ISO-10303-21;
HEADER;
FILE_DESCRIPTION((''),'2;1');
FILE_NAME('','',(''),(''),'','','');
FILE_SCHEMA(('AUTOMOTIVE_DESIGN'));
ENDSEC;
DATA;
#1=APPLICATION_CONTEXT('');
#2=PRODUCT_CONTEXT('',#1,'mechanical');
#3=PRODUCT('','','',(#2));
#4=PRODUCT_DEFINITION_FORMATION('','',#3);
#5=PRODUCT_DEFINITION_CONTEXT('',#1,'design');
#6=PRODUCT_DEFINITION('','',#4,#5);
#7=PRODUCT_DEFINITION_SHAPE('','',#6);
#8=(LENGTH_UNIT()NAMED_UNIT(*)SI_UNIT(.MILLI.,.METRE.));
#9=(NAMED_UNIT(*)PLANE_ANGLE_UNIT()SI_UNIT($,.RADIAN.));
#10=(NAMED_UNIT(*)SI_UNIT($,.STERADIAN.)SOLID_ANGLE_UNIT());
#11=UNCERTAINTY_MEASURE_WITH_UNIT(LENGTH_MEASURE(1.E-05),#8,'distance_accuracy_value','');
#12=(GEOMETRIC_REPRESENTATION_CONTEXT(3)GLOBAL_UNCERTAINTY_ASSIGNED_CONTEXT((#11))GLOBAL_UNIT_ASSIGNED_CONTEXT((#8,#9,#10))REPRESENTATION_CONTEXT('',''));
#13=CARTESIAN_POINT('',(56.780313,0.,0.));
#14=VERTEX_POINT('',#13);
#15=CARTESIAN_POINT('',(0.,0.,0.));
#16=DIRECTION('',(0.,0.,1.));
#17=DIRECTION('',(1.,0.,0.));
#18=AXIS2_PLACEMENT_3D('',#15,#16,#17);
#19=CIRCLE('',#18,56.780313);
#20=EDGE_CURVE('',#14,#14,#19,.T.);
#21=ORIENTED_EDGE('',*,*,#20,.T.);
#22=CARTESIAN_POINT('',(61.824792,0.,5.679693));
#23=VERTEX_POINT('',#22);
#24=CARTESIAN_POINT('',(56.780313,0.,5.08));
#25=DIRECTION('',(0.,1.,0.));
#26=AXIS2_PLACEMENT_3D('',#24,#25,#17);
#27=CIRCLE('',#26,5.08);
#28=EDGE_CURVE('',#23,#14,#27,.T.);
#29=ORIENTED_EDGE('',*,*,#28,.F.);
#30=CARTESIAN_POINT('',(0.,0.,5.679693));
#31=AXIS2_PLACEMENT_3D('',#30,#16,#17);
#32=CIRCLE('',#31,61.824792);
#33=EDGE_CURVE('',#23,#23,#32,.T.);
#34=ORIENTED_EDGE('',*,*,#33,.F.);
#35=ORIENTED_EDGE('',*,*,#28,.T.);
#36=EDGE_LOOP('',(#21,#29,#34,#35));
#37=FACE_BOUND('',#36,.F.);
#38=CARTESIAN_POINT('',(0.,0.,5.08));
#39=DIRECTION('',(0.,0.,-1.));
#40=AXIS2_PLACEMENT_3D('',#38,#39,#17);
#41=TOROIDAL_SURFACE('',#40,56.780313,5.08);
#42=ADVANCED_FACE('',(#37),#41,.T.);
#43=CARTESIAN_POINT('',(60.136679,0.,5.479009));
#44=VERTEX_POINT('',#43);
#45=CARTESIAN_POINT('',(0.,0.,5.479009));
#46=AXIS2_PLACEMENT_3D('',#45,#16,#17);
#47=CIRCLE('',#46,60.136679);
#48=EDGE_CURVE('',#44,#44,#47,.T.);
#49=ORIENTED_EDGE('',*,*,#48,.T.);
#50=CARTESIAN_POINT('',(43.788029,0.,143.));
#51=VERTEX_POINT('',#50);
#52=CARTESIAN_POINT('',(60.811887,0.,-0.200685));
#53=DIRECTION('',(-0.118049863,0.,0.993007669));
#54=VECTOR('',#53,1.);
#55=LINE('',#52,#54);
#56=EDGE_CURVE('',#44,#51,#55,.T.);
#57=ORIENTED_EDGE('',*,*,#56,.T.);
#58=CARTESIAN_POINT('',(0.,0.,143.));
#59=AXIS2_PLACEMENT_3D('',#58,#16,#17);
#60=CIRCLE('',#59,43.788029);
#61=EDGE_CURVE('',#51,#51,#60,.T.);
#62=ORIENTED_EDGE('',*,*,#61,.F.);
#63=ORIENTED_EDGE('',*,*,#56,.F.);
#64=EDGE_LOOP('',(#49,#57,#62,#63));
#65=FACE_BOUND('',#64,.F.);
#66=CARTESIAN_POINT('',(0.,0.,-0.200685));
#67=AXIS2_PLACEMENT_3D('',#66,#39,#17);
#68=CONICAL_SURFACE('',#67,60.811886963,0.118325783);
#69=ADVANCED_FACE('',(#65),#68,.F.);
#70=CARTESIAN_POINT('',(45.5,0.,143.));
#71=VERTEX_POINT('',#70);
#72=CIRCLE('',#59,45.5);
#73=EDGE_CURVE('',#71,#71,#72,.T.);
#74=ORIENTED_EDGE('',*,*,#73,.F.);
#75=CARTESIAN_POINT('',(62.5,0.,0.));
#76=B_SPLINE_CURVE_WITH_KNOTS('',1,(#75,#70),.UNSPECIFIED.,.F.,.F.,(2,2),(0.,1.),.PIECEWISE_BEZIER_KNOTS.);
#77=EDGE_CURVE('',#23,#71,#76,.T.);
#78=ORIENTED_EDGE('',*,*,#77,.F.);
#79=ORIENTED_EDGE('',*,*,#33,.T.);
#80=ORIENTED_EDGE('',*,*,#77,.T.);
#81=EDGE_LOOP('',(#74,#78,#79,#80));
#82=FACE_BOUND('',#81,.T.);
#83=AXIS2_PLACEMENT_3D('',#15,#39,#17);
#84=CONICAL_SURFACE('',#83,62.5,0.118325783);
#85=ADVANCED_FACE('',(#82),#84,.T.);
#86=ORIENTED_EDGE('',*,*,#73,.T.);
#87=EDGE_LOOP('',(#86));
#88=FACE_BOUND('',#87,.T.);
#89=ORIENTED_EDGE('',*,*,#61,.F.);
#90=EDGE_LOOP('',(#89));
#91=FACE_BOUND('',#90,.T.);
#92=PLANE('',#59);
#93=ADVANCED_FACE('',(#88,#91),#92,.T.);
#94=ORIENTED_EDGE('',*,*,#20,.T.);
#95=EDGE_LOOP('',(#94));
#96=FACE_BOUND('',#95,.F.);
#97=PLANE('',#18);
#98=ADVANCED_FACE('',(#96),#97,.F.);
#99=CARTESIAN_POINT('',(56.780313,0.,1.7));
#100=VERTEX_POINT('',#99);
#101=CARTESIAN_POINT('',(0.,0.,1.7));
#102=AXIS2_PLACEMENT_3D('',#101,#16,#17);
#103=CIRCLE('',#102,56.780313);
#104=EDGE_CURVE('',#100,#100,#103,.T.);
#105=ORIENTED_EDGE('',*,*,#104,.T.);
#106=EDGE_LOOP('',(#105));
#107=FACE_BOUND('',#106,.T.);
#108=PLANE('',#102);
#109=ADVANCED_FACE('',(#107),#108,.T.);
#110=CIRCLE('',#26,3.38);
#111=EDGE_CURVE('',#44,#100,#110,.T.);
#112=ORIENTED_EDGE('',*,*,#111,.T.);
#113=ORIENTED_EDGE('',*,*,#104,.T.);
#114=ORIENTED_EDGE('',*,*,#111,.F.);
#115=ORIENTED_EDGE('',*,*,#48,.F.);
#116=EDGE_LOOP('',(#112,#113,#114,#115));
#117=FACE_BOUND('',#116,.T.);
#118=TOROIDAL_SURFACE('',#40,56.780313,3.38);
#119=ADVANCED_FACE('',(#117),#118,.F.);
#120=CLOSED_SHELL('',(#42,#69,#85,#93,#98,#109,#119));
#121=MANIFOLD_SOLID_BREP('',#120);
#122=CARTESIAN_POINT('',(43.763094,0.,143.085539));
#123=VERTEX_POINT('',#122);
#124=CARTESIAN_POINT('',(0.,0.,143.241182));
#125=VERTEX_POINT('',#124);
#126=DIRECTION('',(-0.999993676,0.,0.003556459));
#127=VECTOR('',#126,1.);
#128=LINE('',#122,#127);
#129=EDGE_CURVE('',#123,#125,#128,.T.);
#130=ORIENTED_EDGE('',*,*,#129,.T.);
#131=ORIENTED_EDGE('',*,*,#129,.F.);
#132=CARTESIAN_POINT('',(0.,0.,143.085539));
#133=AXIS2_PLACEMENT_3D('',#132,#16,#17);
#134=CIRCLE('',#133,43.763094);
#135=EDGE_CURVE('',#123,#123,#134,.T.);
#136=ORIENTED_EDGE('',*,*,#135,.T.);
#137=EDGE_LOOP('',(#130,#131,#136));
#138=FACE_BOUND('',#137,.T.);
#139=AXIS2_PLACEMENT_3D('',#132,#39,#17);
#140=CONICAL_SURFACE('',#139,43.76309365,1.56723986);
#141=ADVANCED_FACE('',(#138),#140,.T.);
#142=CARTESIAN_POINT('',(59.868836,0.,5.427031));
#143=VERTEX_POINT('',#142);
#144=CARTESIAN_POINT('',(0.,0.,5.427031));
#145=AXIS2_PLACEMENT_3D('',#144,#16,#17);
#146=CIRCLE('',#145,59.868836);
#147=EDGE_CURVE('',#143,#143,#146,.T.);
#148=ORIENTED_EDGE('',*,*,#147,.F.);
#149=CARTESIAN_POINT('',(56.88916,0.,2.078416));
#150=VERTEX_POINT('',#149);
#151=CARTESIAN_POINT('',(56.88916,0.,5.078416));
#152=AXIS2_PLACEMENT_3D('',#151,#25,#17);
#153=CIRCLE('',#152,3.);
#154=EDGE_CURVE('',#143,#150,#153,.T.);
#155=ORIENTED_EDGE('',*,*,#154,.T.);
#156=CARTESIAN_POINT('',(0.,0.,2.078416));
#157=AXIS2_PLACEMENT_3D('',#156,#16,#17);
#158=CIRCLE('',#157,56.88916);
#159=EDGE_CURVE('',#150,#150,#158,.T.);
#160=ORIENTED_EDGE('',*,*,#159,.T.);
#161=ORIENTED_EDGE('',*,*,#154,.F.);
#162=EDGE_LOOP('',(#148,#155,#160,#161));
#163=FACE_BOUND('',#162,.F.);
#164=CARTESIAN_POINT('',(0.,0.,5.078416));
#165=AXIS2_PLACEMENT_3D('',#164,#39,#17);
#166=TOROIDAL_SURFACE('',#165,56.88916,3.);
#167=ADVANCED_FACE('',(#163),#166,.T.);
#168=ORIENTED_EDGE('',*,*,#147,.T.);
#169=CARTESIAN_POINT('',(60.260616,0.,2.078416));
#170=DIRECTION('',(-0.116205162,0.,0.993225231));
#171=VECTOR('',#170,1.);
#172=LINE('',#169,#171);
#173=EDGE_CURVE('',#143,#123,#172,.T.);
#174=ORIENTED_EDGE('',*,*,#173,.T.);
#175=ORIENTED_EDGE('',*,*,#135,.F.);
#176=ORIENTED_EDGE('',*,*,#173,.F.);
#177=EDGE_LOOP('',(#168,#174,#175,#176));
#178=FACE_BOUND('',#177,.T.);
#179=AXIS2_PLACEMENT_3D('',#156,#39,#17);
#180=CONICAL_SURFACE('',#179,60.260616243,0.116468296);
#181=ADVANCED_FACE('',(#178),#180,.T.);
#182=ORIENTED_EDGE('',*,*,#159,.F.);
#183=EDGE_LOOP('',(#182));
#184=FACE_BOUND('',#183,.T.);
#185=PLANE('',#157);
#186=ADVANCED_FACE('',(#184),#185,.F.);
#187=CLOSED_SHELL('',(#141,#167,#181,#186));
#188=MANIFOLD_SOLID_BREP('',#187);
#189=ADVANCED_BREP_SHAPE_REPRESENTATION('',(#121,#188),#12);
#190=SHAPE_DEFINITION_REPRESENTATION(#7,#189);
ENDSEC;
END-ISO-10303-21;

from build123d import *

# Parameters (mm, degrees)
F0_R = 62.5
F2_R = 45.5
F4_R = 5.08
F5_T = -1.7
F8_R = 3


with BuildPart() as f3:
    # F0 (on Top) → F3 section 0
    with BuildSketch(Plane.XY):
        Circle(F0_R)
    # F2 (on offset) → F3 section 1
    with BuildSketch(Plane.XY.offset(143)):
        Circle(F2_R)
    loft()

    # F4
    f4_edges = [f3.edges().sort_by_distance(p)[0] for p in [
        (-62.5, 0, 0),
    ]]
    fillet(f4_edges, radius=F4_R)

    # F5
    f5_openings = [f3.faces().sort_by_distance(p)[0] for p in [
        (0, 0, 143),
    ]]
    offset(amount=F5_T, openings=f5_openings, kind=Kind.INTERSECTION)


with BuildPart() as f7:
    # F6 (on Front) → F7 (revolve)
    with BuildSketch(Plane.XZ):
        Polygon((60.2606162429, 2.0784155931), (43.7630936503, 143.085539341), (0, 143.2411819696), (0, 2.0784155931), align=None)
    revolve(axis=Axis((0, 0, 72.6597987814), (0, 0, 1)))

    # F8
    f8_edges = [f7.edges().sort_by_distance(p)[0] for p in [
        (-60.260616, 0, 2.078416),
    ]]
    fillet(f8_edges, radius=F8_R)


solid = Compound([f3.part, f7.part])
